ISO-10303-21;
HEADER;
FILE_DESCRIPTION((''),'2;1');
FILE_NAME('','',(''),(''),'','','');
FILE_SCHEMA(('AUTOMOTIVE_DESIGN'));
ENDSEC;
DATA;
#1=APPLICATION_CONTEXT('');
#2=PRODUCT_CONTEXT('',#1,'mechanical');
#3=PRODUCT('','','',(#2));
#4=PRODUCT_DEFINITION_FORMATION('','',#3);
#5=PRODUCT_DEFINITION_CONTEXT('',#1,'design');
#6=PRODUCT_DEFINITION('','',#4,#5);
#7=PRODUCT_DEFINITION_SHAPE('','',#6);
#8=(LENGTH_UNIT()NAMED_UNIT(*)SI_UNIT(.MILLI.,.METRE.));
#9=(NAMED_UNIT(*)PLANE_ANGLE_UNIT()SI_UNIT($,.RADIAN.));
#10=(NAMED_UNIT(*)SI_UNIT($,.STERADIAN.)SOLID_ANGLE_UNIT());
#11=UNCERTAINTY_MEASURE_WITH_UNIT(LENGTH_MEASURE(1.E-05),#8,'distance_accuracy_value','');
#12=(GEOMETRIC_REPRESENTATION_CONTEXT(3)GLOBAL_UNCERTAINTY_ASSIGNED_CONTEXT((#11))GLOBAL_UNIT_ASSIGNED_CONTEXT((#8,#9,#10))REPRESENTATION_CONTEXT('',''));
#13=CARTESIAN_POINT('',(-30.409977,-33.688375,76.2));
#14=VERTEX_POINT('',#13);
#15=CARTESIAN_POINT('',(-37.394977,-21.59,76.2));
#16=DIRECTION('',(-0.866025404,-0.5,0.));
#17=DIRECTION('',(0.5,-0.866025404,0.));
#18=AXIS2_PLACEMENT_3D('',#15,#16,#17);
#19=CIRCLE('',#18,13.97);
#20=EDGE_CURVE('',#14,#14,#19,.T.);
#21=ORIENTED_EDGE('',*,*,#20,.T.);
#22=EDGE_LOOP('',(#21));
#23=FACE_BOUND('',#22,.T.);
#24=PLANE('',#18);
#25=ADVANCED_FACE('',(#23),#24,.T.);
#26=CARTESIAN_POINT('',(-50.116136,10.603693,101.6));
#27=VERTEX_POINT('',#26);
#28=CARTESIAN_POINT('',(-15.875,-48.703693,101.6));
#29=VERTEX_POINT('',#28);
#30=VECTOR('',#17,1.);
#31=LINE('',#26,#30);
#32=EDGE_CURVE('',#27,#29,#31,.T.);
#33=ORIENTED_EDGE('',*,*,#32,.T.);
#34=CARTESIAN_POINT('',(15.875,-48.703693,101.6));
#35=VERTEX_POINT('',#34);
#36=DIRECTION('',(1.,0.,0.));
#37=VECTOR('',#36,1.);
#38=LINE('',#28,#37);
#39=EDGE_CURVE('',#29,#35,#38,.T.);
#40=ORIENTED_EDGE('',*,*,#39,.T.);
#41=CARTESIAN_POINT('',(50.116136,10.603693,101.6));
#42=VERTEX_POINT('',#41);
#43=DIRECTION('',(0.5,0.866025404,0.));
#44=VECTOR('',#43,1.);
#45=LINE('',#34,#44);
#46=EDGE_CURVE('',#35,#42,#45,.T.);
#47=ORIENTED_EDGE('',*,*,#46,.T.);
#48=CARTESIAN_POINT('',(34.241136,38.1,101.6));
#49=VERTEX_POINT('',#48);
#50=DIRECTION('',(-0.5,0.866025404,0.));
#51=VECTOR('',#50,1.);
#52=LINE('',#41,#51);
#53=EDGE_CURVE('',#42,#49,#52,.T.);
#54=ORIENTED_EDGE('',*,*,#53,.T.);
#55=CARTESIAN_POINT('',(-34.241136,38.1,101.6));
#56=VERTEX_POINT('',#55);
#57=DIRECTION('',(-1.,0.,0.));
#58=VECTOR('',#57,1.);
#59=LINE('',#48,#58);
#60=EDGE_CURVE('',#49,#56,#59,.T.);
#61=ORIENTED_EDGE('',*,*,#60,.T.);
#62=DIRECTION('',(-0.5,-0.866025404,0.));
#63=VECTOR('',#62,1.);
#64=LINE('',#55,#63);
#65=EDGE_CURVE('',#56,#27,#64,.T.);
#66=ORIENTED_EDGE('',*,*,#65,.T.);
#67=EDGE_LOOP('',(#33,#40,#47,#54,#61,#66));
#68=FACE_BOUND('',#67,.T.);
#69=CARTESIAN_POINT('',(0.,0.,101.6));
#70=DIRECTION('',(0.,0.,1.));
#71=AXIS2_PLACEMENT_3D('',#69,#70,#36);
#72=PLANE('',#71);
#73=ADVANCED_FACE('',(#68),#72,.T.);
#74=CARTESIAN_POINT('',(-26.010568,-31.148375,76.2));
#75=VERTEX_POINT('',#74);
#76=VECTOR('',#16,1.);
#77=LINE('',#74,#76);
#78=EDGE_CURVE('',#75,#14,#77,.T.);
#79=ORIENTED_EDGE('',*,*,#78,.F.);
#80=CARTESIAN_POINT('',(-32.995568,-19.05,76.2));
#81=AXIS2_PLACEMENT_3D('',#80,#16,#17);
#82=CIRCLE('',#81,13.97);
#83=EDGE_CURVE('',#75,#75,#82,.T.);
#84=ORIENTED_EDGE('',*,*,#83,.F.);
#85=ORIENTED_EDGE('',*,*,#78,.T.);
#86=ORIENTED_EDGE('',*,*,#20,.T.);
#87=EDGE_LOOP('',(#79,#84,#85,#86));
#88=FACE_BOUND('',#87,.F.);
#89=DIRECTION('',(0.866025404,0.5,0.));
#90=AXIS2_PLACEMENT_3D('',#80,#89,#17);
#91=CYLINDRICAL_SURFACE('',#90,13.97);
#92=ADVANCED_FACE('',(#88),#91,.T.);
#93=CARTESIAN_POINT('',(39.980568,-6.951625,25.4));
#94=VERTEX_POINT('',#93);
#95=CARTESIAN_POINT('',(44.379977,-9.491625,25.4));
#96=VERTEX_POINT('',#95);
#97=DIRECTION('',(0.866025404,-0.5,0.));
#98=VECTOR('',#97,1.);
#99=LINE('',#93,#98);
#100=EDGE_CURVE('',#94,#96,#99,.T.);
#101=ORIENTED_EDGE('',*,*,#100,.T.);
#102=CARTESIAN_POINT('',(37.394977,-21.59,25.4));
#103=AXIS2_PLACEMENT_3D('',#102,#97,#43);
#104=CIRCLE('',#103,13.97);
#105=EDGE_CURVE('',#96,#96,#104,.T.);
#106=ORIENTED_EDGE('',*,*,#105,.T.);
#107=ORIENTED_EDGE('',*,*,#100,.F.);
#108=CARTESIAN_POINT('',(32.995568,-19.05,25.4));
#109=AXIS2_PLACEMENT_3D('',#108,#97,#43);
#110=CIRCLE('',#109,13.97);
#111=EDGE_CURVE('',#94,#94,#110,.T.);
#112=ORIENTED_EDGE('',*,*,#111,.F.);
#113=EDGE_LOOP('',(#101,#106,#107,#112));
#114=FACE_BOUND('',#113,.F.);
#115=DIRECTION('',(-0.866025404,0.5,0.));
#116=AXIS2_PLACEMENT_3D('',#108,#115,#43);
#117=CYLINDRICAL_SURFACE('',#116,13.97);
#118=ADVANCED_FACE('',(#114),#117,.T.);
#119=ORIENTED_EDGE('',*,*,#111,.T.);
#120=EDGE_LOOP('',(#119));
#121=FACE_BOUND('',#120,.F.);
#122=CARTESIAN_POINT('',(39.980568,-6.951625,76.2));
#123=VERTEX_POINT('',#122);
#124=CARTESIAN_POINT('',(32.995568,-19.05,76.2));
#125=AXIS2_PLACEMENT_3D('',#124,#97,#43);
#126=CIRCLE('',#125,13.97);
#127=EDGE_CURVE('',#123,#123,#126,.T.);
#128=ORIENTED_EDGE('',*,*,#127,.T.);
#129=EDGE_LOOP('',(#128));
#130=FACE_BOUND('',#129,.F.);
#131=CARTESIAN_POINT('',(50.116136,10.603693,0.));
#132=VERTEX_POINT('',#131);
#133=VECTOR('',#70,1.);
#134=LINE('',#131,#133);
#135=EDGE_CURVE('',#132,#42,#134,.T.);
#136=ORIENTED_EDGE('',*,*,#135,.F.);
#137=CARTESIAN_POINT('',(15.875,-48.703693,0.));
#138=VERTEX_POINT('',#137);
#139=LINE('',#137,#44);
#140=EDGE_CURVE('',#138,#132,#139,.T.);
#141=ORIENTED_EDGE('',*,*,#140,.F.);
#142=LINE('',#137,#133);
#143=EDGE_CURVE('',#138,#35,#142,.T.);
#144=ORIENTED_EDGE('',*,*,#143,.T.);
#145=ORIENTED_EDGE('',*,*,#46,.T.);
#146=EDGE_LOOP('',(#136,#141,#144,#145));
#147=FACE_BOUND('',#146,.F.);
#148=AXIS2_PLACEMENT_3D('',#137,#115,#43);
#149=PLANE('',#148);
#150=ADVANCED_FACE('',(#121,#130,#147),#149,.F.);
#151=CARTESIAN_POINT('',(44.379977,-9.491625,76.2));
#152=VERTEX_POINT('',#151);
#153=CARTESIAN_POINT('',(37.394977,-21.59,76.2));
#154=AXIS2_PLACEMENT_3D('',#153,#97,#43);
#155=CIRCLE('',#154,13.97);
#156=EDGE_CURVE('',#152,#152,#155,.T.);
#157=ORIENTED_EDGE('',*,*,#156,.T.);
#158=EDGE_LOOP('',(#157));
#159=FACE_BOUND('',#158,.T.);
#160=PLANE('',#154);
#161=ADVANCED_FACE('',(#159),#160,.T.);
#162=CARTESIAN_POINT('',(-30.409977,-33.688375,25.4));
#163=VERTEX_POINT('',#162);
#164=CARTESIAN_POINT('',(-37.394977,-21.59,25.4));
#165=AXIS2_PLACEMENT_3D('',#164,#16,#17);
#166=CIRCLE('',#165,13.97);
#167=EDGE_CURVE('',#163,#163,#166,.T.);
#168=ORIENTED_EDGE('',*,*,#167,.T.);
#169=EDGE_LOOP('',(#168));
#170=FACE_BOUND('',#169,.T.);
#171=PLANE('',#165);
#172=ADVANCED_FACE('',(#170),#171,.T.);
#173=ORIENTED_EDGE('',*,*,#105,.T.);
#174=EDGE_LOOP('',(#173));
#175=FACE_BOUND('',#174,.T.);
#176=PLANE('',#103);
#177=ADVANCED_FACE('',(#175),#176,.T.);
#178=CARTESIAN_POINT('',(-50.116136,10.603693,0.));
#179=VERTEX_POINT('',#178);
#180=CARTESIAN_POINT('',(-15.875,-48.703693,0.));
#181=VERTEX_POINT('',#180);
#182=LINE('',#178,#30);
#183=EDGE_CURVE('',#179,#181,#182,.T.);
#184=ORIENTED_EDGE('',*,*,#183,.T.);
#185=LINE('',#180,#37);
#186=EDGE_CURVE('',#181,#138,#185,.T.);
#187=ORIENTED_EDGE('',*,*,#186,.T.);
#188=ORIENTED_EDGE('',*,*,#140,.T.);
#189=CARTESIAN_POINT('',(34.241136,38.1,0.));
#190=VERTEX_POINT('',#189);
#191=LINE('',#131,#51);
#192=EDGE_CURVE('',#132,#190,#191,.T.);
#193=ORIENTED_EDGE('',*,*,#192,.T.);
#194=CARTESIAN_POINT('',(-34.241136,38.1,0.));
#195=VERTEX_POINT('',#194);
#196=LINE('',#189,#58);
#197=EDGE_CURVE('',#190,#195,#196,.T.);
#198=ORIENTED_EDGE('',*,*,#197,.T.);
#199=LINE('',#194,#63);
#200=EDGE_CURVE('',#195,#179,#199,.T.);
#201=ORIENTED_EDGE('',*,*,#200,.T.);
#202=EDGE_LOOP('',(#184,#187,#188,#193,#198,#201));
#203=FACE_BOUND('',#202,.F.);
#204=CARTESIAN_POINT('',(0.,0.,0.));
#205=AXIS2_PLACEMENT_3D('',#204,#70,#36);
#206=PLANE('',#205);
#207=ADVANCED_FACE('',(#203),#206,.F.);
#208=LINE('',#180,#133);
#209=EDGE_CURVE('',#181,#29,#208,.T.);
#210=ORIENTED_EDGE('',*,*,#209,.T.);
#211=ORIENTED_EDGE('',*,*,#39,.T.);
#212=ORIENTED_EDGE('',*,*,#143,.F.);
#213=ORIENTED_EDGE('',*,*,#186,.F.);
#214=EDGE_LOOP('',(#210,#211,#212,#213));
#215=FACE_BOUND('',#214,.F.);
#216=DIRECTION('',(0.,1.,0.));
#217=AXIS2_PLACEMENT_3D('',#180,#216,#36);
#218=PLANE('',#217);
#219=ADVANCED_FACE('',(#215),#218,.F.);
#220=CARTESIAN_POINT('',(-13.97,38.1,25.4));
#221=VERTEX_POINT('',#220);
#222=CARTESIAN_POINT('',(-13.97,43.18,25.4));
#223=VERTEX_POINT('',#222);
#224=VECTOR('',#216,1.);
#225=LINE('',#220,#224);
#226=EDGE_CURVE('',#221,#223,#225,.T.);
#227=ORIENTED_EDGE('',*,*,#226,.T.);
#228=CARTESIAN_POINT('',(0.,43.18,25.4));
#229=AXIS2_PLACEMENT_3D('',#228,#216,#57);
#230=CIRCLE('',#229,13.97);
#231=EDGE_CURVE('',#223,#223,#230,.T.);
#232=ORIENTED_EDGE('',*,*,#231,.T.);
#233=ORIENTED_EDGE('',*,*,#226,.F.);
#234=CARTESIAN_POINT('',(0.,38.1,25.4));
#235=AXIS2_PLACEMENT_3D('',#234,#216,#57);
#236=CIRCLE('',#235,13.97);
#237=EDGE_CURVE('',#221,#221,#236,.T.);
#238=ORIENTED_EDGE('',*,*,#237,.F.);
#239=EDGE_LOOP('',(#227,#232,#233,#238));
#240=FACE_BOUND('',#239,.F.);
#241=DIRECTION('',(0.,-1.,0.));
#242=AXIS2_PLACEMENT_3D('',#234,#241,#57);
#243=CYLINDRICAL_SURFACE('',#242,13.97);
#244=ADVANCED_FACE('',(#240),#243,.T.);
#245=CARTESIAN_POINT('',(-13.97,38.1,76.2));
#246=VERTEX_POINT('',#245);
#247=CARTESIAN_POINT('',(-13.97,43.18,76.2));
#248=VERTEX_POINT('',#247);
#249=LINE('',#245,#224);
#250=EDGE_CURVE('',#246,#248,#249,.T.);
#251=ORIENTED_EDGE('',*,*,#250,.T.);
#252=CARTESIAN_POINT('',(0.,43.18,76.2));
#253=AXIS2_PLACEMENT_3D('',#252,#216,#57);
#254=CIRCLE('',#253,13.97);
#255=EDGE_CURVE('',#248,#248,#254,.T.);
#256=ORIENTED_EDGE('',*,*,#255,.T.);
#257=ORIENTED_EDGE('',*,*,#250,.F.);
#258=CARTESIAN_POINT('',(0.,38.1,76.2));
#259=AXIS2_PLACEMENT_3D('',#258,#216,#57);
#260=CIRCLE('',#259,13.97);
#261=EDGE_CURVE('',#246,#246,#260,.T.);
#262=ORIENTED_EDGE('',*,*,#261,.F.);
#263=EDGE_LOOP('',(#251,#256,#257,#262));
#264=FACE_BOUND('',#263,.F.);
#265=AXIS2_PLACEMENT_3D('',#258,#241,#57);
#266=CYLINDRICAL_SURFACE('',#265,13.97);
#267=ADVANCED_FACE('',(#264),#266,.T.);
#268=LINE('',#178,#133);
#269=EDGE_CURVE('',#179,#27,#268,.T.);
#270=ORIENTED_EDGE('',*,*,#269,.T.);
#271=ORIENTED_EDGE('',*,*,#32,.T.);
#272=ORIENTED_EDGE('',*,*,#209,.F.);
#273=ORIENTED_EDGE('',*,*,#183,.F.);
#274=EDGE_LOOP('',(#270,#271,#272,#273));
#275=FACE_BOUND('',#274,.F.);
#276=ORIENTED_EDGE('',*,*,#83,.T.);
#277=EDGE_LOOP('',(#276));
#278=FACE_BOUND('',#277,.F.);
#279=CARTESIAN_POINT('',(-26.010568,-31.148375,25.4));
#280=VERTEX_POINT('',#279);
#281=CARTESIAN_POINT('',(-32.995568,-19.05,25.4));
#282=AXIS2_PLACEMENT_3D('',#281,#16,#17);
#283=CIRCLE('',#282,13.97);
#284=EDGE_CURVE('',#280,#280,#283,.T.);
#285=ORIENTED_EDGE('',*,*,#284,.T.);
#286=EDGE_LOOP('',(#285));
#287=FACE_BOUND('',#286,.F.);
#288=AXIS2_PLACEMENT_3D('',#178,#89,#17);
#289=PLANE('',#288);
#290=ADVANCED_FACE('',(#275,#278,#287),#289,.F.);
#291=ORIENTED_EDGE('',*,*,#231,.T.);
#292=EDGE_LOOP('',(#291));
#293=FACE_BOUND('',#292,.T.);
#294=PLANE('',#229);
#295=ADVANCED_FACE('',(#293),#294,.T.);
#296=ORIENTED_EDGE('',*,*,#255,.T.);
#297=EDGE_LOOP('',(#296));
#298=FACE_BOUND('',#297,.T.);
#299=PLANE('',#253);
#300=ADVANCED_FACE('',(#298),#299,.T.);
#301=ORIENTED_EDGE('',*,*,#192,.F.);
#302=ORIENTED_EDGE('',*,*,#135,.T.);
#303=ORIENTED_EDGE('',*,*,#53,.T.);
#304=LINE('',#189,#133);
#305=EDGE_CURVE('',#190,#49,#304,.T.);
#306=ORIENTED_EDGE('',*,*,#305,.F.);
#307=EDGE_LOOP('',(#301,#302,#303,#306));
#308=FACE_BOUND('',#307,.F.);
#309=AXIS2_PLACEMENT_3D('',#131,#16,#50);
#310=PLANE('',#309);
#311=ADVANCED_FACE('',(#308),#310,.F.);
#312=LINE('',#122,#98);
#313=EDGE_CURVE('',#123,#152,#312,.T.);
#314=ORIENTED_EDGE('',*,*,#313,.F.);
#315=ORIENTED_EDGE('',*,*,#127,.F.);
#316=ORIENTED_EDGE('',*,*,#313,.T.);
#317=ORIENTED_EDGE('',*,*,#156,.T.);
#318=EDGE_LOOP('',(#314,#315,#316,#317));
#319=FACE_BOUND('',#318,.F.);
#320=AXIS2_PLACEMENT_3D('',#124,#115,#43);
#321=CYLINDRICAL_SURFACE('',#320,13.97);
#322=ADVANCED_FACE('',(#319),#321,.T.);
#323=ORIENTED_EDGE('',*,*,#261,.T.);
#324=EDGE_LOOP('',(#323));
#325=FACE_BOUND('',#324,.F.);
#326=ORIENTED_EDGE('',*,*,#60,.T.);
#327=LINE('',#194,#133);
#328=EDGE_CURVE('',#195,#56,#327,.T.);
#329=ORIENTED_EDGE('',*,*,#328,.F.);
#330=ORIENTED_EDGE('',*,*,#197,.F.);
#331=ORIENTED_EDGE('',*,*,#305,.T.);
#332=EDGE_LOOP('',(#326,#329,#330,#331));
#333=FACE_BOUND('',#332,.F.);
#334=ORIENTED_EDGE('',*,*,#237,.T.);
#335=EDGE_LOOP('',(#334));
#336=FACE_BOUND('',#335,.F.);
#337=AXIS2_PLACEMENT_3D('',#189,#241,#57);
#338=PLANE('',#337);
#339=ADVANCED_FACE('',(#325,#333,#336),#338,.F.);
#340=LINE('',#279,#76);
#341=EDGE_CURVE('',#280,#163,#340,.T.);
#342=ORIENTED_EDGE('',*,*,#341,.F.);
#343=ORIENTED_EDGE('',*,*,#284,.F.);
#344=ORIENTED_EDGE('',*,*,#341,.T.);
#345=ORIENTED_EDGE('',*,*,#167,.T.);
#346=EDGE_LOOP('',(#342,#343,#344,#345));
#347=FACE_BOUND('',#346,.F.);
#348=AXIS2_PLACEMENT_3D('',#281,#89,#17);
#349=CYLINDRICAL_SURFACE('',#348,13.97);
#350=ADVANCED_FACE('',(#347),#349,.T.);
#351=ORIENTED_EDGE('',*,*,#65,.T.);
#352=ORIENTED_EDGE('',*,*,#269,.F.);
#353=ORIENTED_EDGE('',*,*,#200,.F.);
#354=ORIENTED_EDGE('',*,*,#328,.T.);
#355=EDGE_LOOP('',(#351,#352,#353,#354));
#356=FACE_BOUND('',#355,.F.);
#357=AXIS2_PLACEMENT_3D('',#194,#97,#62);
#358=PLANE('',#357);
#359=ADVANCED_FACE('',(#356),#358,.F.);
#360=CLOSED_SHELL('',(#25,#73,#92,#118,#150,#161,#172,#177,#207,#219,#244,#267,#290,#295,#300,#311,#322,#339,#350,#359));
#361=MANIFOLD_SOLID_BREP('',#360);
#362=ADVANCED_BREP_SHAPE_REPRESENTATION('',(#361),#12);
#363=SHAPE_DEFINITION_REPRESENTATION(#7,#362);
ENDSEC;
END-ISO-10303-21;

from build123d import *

# Parameters (mm, degrees)
F1_DEPTH = 101.6
F2_R     = 13.97
F3_DEPTH = 5.08
F4_R     = 13.97
F5_DEPTH = 5.08
F6_R     = 13.97
F7_DEPTH = 5.08


with BuildPart() as f1:
    # F0 (on Top) → F1 (new body)
    with BuildSketch(Plane.XY):
        Polygon((-50.1161357684, 10.6036934298), (-15.875, -48.7036934298), (15.875, -48.7036934298), (50.1161357684, 10.6036934298), (34.2411357684, 38.1), (-34.2411357684, 38.1), align=None)
    extrude(amount=F1_DEPTH)

    # F2 (on face) → F3 (join)
    with BuildSketch(Plane(origin=(-32.9955678842, -19.05, 0), x_dir=(0.5, -0.8660254038, 0), z_dir=(-0.8660254038, -0.5, 0))):
        with Locations((0, 76.2)):
            Circle(F2_R)
        with Locations((0, 25.4)):
            Circle(F2_R)
    extrude(amount=F3_DEPTH)

    # F4 (on face) → F5 (join)
    with BuildSketch(Plane(origin=(0, 38.1, 0), x_dir=(-1, 0, 0), z_dir=(0, 1, 0))):
        with Locations((0, 76.2)):
            Circle(F4_R)
        with Locations((0, 25.4)):
            Circle(F4_R)
    extrude(amount=F5_DEPTH)

    # F6 (on face) → F7 (join)
    with BuildSketch(Plane(origin=(32.9955678842, -19.05, 0), x_dir=(0.5, 0.8660254038, 0), z_dir=(0.8660254038, -0.5, 0))):
        with Locations((0, 76.2)):
            Circle(F6_R)
        with Locations((0, 25.4)):
            Circle(F6_R)
    extrude(amount=F7_DEPTH)


solid = f1.part
